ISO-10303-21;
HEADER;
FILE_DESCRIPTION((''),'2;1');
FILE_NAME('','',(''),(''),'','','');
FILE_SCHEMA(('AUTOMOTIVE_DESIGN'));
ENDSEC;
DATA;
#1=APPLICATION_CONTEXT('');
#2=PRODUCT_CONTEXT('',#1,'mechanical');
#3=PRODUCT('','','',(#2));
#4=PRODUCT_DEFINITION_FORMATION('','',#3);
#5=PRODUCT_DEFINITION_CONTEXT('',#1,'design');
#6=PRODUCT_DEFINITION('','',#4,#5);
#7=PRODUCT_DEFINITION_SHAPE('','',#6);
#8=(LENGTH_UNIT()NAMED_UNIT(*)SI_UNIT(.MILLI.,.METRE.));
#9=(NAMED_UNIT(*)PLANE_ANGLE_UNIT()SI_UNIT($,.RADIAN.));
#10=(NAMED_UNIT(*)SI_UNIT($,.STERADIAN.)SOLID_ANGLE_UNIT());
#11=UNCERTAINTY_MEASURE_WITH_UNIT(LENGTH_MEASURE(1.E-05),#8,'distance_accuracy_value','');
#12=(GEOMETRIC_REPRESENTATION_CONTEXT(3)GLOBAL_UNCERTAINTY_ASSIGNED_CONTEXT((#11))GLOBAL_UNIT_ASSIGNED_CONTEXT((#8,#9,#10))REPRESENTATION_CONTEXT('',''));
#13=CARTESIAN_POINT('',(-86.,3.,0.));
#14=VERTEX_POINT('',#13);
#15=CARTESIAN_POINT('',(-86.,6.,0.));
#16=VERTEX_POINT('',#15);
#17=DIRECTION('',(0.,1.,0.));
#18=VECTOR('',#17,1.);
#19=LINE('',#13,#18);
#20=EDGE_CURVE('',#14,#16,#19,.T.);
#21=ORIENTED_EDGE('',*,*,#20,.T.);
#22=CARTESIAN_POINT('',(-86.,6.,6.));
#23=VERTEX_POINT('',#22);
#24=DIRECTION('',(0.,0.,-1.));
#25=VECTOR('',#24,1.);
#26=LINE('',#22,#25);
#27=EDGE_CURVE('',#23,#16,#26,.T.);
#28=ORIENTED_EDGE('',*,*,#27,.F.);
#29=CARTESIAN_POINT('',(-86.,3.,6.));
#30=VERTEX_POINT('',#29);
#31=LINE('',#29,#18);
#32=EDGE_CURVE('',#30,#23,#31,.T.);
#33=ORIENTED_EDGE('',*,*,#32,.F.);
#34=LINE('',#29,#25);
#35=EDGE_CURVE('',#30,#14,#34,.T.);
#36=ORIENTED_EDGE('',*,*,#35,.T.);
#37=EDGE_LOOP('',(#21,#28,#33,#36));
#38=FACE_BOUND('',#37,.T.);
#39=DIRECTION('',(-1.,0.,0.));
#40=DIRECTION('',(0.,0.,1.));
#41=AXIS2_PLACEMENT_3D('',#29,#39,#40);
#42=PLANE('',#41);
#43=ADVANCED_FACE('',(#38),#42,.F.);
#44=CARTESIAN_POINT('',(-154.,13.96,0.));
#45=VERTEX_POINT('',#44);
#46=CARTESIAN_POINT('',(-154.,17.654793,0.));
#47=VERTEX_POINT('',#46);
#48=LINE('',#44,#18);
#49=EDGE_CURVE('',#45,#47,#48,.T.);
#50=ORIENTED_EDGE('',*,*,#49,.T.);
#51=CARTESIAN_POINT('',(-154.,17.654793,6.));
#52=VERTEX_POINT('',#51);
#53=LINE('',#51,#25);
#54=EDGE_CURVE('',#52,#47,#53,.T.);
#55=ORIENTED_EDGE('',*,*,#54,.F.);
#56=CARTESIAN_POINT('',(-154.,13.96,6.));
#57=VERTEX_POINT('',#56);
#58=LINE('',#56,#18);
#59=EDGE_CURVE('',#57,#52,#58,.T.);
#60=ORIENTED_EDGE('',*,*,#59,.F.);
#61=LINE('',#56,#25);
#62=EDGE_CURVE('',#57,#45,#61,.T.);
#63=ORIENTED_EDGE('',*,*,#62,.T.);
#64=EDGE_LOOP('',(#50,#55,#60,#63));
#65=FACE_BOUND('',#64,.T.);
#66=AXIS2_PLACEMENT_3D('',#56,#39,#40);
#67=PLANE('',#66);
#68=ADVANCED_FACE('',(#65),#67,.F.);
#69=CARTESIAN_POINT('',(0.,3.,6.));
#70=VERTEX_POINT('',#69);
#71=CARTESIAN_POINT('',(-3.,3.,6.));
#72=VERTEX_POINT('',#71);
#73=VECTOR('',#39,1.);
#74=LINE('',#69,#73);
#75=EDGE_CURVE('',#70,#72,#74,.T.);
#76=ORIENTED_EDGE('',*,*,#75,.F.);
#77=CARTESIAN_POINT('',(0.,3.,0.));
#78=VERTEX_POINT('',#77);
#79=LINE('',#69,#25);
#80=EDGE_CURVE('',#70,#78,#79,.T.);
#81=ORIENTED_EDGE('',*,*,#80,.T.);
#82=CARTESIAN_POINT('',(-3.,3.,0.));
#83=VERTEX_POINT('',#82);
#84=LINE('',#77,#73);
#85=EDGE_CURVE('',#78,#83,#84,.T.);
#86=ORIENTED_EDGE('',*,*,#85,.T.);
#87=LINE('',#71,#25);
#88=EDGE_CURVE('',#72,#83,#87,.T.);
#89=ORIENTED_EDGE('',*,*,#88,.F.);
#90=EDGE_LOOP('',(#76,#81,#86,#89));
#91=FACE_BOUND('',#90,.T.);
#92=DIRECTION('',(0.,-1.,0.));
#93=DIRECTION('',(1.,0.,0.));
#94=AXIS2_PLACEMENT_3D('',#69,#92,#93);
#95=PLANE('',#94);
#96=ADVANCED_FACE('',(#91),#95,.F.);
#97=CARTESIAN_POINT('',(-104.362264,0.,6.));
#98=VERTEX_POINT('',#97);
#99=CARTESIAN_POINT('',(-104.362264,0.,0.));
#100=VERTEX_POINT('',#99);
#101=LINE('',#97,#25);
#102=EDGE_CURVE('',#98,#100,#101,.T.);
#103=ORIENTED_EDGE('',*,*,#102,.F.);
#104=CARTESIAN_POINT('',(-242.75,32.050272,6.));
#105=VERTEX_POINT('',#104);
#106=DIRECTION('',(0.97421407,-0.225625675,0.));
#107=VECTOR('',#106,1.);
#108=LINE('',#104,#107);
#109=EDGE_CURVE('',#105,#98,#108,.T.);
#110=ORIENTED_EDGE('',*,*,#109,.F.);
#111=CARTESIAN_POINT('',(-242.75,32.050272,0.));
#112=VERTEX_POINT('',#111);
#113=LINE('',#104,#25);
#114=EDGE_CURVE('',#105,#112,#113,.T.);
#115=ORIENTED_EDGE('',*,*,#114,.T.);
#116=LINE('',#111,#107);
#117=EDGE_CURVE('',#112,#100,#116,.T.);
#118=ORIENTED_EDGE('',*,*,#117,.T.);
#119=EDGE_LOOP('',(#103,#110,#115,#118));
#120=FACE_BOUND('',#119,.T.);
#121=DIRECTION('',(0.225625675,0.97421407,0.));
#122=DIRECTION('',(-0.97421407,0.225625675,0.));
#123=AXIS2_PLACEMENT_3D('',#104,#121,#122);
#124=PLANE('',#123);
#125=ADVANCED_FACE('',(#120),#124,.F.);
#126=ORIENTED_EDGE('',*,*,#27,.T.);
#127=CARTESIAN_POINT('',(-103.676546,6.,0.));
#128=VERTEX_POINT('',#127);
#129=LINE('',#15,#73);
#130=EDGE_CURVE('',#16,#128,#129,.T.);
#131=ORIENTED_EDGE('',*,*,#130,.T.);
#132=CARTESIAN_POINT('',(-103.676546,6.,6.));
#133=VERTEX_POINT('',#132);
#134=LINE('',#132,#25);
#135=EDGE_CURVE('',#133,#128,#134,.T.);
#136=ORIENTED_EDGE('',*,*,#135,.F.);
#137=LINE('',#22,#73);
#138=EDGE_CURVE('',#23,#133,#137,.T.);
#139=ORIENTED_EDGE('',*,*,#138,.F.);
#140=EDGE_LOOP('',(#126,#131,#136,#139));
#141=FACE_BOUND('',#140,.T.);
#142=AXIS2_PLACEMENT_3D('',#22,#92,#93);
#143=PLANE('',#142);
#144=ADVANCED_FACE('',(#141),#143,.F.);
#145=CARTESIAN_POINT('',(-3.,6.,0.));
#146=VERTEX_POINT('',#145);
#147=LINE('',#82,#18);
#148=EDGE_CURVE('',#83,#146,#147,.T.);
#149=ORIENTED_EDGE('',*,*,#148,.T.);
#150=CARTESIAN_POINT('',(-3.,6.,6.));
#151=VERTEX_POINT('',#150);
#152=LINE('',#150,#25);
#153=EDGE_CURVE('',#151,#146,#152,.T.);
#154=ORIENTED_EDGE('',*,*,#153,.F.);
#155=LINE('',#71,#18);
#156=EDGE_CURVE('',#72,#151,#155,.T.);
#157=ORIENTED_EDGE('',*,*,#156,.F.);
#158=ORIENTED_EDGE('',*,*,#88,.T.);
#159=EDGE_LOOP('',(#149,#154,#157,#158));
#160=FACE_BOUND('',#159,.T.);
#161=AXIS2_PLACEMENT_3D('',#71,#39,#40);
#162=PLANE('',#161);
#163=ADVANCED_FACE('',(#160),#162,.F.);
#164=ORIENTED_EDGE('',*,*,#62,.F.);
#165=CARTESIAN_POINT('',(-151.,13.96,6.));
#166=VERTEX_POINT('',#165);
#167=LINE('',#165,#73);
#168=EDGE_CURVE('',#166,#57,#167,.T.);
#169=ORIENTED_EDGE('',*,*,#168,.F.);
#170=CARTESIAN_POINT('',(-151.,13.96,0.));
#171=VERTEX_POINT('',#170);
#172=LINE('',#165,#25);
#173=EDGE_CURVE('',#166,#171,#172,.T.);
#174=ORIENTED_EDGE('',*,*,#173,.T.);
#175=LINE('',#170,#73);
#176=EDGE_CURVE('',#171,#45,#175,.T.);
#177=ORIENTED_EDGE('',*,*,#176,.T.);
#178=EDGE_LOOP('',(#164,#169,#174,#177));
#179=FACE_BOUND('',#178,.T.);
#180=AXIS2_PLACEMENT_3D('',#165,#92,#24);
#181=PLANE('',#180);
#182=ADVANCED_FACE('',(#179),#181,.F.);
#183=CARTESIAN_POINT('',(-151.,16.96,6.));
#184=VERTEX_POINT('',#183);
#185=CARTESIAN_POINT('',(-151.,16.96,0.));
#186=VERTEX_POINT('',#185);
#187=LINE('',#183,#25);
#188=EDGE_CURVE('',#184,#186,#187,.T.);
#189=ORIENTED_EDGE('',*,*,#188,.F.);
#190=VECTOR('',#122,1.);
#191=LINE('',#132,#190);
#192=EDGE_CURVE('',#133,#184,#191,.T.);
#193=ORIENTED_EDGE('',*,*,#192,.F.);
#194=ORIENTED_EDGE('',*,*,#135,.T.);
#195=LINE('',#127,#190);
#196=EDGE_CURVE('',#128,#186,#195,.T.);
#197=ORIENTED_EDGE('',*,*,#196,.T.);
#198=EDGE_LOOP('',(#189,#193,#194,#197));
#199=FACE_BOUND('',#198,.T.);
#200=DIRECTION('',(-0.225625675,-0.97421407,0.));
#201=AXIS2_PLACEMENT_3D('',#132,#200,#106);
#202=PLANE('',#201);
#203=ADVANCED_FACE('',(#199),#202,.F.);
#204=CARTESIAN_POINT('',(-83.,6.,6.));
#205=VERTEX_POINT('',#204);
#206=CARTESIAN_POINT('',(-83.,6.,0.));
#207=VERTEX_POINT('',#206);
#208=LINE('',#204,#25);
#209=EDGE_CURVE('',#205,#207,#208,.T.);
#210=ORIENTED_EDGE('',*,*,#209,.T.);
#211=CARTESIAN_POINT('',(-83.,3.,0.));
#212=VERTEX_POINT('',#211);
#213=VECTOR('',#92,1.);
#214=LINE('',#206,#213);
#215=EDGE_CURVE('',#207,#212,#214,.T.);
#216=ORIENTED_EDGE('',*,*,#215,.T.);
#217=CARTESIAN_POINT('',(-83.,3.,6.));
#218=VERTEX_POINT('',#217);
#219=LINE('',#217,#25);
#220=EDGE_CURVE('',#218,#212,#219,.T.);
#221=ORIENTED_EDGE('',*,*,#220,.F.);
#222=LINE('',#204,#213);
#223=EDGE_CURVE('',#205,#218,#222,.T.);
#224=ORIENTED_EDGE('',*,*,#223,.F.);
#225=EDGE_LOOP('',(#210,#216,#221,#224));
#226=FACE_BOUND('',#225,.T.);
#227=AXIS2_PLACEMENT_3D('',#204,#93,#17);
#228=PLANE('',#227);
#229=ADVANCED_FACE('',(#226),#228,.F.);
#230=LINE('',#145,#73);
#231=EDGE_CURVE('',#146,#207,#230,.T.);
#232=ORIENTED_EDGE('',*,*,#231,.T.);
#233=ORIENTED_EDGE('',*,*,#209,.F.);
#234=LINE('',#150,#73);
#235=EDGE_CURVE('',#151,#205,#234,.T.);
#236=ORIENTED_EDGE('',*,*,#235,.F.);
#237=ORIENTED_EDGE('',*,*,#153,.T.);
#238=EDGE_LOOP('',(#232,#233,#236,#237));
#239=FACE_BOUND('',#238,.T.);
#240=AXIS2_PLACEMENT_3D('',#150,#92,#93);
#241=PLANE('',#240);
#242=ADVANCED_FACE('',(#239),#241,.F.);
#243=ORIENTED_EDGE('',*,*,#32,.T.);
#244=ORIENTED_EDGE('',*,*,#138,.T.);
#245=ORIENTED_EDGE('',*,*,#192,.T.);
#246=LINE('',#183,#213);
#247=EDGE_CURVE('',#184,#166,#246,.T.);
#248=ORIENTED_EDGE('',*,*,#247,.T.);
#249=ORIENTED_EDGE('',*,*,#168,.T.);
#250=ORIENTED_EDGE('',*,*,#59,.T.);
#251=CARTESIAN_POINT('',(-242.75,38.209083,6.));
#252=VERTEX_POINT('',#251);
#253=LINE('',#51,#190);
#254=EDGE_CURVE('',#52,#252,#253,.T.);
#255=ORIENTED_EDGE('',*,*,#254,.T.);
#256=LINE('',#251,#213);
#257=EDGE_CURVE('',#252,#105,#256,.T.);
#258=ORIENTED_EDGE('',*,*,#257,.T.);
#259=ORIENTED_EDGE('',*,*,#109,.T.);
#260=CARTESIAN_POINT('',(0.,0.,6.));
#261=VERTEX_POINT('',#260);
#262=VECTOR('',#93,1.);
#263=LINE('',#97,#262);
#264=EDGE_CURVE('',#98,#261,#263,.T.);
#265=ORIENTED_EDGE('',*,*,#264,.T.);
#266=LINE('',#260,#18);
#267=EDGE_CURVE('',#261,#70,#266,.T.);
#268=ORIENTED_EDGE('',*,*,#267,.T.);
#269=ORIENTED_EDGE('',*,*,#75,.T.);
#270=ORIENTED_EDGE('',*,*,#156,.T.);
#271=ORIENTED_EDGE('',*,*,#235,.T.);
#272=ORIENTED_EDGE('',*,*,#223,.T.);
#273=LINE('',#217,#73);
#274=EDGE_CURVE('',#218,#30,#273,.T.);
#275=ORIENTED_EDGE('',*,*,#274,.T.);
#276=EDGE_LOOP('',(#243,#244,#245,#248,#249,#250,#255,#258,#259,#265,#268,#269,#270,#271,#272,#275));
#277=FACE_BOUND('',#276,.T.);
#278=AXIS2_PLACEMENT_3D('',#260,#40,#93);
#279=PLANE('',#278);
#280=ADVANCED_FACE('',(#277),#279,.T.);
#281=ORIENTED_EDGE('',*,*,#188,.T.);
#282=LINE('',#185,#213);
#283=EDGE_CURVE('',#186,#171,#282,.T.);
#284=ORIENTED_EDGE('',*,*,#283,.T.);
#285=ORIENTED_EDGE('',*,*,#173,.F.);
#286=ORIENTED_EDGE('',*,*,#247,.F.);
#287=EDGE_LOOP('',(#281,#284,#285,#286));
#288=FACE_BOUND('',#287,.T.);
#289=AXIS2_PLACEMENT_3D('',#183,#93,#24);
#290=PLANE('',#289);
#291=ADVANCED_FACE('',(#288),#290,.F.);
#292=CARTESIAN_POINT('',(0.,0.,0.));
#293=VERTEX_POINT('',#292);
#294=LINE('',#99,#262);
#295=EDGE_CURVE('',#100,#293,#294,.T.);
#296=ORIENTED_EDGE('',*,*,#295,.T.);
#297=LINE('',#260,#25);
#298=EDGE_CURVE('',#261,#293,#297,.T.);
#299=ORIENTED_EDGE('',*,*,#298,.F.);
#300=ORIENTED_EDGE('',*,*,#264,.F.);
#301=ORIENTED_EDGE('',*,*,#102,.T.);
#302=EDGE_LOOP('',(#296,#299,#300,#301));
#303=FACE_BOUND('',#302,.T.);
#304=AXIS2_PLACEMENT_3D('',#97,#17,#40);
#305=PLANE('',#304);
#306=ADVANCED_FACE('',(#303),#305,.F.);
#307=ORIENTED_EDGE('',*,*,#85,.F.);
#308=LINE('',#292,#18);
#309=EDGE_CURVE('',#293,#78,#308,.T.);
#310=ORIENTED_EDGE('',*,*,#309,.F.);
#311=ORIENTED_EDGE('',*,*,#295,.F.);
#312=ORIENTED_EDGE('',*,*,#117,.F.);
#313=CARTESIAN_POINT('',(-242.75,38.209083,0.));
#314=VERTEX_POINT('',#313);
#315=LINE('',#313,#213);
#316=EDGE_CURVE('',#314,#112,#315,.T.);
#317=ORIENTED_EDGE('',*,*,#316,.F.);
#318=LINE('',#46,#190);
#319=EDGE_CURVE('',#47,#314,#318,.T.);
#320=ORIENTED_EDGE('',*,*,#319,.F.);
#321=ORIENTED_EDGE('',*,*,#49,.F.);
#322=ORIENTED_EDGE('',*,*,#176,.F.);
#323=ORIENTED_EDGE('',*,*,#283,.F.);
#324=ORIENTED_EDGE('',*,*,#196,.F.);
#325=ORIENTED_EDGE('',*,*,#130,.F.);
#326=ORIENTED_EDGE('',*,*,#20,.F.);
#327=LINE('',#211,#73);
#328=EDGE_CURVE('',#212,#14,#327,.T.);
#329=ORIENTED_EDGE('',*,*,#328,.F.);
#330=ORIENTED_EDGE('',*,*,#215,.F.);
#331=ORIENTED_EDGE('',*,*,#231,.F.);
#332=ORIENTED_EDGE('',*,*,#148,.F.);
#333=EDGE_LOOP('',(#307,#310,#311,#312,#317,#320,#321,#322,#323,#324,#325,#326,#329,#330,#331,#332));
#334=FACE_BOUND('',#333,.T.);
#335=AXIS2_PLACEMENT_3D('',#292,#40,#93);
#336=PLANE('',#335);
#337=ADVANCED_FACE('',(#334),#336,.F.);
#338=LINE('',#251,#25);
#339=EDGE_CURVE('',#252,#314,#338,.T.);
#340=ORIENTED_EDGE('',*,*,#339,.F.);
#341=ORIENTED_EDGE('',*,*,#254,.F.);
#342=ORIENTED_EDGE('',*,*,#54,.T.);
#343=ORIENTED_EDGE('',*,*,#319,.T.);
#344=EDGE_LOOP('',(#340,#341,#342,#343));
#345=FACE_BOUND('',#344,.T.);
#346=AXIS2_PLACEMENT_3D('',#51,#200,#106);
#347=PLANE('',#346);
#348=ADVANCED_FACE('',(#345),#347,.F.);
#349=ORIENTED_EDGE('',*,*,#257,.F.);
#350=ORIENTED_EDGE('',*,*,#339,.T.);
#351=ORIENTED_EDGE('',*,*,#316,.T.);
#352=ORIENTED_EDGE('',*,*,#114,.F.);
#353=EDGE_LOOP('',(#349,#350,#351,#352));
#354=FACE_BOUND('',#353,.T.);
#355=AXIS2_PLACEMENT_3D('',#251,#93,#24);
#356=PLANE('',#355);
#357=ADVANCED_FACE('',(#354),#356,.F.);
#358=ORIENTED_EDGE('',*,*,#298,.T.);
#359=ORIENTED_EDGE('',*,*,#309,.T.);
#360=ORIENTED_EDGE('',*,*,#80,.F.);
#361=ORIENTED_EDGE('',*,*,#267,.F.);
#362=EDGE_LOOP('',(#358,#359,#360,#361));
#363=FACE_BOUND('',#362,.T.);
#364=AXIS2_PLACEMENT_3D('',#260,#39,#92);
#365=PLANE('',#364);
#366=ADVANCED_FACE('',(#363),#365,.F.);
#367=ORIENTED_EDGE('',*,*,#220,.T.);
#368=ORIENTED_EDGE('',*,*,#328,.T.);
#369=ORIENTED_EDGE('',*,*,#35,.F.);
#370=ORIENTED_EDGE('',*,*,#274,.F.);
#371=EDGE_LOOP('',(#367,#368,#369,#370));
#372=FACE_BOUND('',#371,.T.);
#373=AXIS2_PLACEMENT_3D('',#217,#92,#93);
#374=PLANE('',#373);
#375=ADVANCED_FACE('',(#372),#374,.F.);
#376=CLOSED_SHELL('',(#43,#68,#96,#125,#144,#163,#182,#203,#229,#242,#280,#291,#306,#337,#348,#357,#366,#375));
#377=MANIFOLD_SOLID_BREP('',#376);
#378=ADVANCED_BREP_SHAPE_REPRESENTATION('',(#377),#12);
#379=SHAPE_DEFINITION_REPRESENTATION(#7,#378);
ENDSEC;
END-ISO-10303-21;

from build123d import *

# Parameters (mm, degrees)
BOSS_EXTRUDE1_DEPTH = 6


with BuildPart() as part:
    # Sketch1 → Boss-Extrude1 (new body)
    with BuildSketch(Plane.XY):
        Polygon((0, 0), (0, 3), (-3, 3), (-3, 6), (-83, 6), (-83, 3), (-86, 3), (-86, 6), (-103.676546106, 6), (-151, 16.96), (-151, 13.96), (-154, 13.96), (-154, 17.654792905), (-242.75, 38.209083008), (-242.75, 32.05027235), (-104.362264068, 0), align=None)
    extrude(amount=BOSS_EXTRUDE1_DEPTH)


solid = part.part
